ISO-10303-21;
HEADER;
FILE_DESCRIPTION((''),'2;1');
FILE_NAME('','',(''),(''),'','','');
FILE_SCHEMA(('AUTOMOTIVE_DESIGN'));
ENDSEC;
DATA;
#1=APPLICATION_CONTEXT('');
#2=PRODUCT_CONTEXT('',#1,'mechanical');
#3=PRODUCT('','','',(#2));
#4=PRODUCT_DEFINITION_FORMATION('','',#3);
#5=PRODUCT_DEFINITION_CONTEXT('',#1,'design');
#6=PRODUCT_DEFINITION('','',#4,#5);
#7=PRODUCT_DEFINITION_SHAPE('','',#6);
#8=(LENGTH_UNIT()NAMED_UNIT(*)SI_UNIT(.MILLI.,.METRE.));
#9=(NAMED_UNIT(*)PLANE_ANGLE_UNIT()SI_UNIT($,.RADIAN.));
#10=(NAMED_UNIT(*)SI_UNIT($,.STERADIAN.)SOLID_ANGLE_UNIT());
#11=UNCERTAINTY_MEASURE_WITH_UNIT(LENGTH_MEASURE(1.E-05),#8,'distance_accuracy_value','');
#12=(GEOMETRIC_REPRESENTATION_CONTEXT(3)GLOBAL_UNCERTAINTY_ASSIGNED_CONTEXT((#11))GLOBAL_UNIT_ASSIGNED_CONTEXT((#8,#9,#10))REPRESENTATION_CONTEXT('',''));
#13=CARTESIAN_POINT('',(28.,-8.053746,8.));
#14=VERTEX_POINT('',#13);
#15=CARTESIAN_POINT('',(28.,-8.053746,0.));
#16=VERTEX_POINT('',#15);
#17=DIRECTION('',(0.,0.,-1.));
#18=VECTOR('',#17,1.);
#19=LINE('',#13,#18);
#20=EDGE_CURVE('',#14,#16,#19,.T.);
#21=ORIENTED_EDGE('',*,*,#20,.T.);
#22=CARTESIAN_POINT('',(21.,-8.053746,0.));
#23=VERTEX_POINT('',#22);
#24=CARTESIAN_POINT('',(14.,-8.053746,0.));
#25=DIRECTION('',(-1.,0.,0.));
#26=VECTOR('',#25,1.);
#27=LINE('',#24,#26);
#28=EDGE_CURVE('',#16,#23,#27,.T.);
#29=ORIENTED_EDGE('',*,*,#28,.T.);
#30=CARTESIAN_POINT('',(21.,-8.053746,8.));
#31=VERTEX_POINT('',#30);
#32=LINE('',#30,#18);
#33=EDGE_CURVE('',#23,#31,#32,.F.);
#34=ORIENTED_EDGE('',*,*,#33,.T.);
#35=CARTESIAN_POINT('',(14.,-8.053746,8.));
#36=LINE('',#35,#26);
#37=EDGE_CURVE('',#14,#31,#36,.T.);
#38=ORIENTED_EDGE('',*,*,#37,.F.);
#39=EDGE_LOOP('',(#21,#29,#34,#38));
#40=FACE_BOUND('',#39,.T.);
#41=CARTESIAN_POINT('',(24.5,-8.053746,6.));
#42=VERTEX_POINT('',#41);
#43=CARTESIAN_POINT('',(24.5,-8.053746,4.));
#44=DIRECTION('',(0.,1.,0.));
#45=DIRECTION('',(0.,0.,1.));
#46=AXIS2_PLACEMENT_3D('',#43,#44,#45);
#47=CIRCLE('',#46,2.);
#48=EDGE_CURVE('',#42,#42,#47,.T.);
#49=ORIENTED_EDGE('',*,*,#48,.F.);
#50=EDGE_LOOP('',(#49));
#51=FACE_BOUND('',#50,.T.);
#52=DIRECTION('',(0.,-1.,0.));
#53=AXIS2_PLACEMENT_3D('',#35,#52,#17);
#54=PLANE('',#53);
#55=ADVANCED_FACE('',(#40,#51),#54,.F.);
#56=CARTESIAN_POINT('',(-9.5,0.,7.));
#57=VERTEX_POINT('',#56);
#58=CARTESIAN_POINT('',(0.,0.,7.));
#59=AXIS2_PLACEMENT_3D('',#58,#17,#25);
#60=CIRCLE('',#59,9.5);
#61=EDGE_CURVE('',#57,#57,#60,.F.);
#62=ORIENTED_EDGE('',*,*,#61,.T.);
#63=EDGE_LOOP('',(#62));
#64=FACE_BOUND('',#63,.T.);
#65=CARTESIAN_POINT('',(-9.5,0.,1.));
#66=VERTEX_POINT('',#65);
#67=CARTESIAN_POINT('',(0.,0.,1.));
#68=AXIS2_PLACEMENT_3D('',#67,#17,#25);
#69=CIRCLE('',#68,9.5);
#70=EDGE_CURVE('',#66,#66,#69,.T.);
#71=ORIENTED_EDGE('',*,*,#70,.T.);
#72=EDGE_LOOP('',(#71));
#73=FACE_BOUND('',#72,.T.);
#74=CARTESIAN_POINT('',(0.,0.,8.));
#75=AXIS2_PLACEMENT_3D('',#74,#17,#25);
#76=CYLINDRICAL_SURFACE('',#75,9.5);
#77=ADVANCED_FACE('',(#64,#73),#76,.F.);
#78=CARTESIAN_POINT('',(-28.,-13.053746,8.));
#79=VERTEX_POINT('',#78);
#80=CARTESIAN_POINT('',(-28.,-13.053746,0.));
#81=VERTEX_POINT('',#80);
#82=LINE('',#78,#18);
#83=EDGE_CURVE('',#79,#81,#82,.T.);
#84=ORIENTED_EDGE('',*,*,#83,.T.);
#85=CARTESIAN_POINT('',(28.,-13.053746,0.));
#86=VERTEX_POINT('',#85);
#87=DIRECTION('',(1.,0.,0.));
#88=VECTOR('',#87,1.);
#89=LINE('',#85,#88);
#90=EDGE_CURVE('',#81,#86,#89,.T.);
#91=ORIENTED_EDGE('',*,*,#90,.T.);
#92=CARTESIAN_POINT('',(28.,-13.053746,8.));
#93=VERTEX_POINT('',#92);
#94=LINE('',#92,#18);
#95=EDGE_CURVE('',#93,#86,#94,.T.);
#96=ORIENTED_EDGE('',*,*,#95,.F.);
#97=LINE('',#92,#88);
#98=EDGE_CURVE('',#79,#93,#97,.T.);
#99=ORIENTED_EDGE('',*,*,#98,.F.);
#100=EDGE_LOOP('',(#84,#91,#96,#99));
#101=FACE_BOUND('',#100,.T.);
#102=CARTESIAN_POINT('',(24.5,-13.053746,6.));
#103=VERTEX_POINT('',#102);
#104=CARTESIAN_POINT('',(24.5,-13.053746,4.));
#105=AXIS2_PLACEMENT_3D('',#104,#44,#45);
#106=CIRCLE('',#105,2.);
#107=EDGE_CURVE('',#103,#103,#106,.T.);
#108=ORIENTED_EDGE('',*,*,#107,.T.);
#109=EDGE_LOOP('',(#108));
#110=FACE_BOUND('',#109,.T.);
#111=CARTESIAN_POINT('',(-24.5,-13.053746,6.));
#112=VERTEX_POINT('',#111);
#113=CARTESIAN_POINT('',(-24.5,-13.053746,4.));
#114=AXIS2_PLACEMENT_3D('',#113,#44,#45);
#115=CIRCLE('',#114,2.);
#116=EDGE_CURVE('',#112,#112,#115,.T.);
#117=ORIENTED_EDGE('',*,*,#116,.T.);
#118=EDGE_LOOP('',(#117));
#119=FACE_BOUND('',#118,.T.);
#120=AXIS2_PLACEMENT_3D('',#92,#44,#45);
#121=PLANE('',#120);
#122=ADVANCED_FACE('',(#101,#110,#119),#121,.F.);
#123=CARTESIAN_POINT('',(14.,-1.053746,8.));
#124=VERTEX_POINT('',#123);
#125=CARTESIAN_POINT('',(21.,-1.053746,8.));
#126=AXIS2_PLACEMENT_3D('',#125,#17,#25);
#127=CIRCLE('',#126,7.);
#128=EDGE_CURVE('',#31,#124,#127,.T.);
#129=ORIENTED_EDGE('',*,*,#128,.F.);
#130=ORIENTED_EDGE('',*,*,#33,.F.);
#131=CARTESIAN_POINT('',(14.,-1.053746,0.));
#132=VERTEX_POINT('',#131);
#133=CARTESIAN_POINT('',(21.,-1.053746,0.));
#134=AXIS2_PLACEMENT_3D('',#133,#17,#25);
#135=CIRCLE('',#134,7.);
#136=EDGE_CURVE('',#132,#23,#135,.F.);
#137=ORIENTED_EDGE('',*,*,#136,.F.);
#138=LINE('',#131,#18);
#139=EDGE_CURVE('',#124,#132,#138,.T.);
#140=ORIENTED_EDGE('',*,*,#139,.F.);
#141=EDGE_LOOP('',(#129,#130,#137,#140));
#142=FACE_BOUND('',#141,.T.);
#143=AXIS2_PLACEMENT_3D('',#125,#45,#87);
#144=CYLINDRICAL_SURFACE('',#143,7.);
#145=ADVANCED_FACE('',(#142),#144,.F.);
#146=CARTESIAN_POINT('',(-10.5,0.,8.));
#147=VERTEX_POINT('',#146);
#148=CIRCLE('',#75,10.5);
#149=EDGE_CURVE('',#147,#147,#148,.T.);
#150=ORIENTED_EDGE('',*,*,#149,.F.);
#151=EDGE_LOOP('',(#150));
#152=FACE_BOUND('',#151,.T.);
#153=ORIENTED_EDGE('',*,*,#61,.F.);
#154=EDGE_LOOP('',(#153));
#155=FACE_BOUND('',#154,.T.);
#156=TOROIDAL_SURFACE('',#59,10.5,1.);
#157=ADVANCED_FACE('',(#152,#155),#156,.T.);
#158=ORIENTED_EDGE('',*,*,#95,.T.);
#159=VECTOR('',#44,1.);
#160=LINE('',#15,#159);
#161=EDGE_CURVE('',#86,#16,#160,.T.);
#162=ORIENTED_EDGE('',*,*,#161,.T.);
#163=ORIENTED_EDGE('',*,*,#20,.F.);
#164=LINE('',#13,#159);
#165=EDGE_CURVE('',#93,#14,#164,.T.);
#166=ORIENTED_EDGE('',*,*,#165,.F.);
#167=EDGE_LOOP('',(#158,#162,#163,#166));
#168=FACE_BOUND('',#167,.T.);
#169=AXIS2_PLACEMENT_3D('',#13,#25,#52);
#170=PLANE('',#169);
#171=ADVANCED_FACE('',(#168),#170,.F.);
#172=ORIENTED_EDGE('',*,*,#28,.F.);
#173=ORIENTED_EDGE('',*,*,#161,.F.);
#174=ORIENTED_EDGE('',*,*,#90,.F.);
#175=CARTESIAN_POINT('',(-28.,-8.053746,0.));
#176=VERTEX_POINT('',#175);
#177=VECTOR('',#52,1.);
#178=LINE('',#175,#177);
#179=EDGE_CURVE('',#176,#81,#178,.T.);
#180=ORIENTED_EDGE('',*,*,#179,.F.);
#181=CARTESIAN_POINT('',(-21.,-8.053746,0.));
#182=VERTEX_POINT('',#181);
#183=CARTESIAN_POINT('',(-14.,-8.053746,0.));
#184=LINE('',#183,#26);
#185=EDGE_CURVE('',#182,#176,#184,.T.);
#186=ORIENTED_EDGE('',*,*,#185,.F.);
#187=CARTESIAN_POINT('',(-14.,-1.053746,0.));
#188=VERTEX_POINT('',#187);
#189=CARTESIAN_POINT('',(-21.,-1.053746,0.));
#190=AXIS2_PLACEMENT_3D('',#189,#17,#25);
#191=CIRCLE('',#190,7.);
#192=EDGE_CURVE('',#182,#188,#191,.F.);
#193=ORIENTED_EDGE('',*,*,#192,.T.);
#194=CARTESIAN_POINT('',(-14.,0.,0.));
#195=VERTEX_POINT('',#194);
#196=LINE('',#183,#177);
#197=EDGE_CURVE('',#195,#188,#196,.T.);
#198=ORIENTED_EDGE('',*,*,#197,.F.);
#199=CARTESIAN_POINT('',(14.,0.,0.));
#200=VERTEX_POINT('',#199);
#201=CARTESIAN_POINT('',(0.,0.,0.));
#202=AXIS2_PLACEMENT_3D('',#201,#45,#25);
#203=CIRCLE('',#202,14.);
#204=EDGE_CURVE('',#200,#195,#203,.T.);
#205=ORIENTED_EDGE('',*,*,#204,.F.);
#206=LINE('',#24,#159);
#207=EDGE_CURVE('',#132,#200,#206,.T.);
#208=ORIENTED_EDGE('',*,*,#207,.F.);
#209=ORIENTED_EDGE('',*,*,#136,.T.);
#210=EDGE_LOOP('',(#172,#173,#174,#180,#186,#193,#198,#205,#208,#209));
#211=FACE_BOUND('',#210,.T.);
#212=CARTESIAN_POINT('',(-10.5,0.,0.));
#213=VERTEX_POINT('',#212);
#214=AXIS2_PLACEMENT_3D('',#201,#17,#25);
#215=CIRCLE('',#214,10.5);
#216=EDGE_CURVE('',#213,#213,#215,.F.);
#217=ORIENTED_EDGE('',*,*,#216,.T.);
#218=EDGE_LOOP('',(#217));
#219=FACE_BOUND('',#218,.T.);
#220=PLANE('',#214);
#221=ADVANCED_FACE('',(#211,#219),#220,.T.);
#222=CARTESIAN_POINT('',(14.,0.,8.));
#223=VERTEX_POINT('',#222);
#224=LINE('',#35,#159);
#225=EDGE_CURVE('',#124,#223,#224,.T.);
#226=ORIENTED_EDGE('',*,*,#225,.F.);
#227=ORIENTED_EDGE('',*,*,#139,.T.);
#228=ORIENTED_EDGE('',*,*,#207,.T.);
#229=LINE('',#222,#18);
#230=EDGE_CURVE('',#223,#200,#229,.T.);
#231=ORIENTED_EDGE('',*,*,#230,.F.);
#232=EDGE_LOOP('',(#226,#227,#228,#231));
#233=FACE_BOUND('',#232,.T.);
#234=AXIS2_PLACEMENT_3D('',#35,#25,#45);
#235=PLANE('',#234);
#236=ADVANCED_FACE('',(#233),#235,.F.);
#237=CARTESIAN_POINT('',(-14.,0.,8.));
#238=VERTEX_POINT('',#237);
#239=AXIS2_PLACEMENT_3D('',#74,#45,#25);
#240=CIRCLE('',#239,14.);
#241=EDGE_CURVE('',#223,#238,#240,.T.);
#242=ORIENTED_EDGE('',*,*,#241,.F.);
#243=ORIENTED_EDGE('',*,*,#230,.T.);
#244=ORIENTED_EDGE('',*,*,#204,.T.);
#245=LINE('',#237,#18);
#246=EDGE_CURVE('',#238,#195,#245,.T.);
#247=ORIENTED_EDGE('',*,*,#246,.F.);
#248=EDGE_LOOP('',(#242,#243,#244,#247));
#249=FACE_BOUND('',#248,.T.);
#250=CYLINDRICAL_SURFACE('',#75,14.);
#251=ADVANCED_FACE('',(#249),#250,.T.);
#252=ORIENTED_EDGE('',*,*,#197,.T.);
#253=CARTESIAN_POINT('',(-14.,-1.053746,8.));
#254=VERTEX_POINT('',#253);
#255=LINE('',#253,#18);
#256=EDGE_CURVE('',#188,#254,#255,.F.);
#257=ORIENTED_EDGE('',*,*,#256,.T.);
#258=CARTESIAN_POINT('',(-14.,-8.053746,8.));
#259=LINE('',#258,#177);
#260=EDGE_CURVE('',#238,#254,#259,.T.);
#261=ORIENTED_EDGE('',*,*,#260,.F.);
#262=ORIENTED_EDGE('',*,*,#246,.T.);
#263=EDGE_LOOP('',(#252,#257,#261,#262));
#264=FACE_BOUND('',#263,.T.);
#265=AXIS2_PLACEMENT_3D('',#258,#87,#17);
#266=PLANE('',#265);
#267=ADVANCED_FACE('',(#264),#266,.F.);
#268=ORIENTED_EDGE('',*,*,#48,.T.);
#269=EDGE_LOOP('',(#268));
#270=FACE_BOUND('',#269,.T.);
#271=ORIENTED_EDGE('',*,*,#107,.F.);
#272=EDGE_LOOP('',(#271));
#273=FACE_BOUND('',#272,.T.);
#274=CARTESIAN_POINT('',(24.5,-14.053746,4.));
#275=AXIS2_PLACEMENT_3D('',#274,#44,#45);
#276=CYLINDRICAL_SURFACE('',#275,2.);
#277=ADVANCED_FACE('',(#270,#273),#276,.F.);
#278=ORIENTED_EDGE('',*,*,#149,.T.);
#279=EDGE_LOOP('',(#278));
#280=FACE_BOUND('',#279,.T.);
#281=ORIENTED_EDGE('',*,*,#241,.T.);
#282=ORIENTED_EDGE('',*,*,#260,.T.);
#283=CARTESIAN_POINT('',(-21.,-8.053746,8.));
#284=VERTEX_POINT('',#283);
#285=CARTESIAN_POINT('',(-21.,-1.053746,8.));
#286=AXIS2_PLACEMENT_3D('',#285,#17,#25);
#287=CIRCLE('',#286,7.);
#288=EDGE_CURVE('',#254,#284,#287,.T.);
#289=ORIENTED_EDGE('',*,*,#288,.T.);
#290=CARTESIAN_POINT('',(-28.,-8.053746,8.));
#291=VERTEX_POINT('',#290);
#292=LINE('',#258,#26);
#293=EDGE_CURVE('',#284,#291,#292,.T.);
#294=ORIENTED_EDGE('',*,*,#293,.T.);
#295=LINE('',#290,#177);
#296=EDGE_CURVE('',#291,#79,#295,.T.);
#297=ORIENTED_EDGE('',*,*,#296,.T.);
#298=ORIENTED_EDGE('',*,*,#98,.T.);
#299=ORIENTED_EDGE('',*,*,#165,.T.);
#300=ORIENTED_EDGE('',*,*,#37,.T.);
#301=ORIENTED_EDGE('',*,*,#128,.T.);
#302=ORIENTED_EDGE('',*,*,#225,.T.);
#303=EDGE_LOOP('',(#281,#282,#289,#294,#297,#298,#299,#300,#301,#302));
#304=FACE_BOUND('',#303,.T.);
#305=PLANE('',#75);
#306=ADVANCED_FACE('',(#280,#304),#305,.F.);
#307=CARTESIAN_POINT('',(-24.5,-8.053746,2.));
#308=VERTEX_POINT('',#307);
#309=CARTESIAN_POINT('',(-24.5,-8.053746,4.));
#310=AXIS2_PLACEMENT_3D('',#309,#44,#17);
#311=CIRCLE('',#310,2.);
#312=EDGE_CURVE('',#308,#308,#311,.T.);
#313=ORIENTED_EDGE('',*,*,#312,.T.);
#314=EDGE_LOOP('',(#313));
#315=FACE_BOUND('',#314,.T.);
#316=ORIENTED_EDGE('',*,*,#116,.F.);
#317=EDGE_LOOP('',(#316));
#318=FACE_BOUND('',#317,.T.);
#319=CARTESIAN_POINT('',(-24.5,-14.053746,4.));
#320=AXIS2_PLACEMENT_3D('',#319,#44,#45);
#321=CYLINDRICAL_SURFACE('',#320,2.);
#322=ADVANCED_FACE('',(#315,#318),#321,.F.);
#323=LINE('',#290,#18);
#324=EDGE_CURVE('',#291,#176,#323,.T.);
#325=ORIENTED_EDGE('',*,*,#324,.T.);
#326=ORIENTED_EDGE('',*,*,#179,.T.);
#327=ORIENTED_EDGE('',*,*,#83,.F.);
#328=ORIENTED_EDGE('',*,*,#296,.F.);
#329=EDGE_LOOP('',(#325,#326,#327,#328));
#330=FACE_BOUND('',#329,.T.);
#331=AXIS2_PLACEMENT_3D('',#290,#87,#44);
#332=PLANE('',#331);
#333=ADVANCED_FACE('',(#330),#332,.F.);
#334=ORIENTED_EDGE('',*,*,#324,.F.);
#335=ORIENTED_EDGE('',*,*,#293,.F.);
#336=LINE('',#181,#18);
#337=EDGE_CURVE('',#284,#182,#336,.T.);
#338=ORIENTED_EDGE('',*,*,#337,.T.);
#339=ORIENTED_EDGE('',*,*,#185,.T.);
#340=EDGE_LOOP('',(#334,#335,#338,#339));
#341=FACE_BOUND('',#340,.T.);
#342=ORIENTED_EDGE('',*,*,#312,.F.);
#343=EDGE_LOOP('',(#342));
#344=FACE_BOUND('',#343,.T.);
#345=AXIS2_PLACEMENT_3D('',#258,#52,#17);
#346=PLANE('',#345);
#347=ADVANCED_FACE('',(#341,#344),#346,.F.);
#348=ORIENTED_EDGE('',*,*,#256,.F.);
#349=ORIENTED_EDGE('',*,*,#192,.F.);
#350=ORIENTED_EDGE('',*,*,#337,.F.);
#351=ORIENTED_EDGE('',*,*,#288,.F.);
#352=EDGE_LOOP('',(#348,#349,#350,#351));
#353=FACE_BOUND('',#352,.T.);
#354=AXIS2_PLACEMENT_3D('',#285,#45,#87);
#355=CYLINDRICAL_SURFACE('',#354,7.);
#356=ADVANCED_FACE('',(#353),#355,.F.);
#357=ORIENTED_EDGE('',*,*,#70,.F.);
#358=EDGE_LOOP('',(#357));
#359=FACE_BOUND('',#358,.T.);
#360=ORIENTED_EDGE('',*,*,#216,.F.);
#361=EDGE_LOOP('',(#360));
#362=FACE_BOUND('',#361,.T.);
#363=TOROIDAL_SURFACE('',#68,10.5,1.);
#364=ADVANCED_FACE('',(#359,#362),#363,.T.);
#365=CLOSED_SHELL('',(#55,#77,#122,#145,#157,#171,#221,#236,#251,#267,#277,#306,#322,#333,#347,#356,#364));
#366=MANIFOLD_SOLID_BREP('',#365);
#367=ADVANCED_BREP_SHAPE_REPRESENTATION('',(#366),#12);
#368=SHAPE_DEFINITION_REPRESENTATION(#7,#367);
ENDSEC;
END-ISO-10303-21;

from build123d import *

# Parameters (mm, degrees)
ESQUISSE1_R             = 9.5
BOSS_EXTRU_1_DEPTH      = 8
CONG_1_R                = 1
CONG_2_R                = 1
CONG_3_R                = 7
ESQUISSE2_R             = 2
ENL_V_MAT_EXTRU_1_DEPTH = 6


with BuildPart() as part:
    # Esquisse1 → Boss.-Extru.1 (new body)
    with BuildSketch(Plane.XY):
        with BuildLine():
            Line((14, -8.053746339), (28, -8.053746339))
            Line((28, -8.053746339), (28, -13.053746339))
            Line((28, -13.053746339), (-28, -13.053746339))
            Line((-28, -13.053746339), (-28, -8.053746339))
            Line((-28, -8.053746339), (-14, -8.053746339))
            Line((-14, -8.053746339), (-14, 0))
            ThreePointArc((-14, 0), (0, 14), (14, 0))
            Line((14, 0), (14, -8.053746339))
        make_face()
        Circle(ESQUISSE1_R, mode=Mode.SUBTRACT)
    extrude(amount=BOSS_EXTRU_1_DEPTH)

    # Congé1
    cong_1_edges = [part.edges().sort_by_distance(p)[0] for p in [
        (-9.5, 0, 8),
    ]]
    fillet(cong_1_edges, radius=CONG_1_R)

    # Congé2
    cong_2_edges = [part.edges().sort_by_distance(p)[0] for p in [
        (-9.5, 0, 0),
    ]]
    fillet(cong_2_edges, radius=CONG_2_R)

    # Congé3
    cong_3_edges = [part.edges().sort_by_distance(p)[0] for p in [
        (-14, -8.053746339, 4),
        (14, -8.053746339, 4),
    ]]
    fillet(cong_3_edges, radius=CONG_3_R)

    # Esquisse2 → Enlèv. mat.-Extru.1 (cut)
    with BuildSketch(Plane(origin=(0, -8.053746339, 0), x_dir=(1, 0, 0), z_dir=(0, 1, 0))):
        with Locations(Location((24.5, -4, 0), (0, 0, 270))):
            Circle(ESQUISSE2_R)
        with Locations(Location((-24.5, -4, 0), (0, 0, 270))):
            Circle(ESQUISSE2_R)
    extrude(amount=-ENL_V_MAT_EXTRU_1_DEPTH, mode=Mode.SUBTRACT)


solid = part.part
